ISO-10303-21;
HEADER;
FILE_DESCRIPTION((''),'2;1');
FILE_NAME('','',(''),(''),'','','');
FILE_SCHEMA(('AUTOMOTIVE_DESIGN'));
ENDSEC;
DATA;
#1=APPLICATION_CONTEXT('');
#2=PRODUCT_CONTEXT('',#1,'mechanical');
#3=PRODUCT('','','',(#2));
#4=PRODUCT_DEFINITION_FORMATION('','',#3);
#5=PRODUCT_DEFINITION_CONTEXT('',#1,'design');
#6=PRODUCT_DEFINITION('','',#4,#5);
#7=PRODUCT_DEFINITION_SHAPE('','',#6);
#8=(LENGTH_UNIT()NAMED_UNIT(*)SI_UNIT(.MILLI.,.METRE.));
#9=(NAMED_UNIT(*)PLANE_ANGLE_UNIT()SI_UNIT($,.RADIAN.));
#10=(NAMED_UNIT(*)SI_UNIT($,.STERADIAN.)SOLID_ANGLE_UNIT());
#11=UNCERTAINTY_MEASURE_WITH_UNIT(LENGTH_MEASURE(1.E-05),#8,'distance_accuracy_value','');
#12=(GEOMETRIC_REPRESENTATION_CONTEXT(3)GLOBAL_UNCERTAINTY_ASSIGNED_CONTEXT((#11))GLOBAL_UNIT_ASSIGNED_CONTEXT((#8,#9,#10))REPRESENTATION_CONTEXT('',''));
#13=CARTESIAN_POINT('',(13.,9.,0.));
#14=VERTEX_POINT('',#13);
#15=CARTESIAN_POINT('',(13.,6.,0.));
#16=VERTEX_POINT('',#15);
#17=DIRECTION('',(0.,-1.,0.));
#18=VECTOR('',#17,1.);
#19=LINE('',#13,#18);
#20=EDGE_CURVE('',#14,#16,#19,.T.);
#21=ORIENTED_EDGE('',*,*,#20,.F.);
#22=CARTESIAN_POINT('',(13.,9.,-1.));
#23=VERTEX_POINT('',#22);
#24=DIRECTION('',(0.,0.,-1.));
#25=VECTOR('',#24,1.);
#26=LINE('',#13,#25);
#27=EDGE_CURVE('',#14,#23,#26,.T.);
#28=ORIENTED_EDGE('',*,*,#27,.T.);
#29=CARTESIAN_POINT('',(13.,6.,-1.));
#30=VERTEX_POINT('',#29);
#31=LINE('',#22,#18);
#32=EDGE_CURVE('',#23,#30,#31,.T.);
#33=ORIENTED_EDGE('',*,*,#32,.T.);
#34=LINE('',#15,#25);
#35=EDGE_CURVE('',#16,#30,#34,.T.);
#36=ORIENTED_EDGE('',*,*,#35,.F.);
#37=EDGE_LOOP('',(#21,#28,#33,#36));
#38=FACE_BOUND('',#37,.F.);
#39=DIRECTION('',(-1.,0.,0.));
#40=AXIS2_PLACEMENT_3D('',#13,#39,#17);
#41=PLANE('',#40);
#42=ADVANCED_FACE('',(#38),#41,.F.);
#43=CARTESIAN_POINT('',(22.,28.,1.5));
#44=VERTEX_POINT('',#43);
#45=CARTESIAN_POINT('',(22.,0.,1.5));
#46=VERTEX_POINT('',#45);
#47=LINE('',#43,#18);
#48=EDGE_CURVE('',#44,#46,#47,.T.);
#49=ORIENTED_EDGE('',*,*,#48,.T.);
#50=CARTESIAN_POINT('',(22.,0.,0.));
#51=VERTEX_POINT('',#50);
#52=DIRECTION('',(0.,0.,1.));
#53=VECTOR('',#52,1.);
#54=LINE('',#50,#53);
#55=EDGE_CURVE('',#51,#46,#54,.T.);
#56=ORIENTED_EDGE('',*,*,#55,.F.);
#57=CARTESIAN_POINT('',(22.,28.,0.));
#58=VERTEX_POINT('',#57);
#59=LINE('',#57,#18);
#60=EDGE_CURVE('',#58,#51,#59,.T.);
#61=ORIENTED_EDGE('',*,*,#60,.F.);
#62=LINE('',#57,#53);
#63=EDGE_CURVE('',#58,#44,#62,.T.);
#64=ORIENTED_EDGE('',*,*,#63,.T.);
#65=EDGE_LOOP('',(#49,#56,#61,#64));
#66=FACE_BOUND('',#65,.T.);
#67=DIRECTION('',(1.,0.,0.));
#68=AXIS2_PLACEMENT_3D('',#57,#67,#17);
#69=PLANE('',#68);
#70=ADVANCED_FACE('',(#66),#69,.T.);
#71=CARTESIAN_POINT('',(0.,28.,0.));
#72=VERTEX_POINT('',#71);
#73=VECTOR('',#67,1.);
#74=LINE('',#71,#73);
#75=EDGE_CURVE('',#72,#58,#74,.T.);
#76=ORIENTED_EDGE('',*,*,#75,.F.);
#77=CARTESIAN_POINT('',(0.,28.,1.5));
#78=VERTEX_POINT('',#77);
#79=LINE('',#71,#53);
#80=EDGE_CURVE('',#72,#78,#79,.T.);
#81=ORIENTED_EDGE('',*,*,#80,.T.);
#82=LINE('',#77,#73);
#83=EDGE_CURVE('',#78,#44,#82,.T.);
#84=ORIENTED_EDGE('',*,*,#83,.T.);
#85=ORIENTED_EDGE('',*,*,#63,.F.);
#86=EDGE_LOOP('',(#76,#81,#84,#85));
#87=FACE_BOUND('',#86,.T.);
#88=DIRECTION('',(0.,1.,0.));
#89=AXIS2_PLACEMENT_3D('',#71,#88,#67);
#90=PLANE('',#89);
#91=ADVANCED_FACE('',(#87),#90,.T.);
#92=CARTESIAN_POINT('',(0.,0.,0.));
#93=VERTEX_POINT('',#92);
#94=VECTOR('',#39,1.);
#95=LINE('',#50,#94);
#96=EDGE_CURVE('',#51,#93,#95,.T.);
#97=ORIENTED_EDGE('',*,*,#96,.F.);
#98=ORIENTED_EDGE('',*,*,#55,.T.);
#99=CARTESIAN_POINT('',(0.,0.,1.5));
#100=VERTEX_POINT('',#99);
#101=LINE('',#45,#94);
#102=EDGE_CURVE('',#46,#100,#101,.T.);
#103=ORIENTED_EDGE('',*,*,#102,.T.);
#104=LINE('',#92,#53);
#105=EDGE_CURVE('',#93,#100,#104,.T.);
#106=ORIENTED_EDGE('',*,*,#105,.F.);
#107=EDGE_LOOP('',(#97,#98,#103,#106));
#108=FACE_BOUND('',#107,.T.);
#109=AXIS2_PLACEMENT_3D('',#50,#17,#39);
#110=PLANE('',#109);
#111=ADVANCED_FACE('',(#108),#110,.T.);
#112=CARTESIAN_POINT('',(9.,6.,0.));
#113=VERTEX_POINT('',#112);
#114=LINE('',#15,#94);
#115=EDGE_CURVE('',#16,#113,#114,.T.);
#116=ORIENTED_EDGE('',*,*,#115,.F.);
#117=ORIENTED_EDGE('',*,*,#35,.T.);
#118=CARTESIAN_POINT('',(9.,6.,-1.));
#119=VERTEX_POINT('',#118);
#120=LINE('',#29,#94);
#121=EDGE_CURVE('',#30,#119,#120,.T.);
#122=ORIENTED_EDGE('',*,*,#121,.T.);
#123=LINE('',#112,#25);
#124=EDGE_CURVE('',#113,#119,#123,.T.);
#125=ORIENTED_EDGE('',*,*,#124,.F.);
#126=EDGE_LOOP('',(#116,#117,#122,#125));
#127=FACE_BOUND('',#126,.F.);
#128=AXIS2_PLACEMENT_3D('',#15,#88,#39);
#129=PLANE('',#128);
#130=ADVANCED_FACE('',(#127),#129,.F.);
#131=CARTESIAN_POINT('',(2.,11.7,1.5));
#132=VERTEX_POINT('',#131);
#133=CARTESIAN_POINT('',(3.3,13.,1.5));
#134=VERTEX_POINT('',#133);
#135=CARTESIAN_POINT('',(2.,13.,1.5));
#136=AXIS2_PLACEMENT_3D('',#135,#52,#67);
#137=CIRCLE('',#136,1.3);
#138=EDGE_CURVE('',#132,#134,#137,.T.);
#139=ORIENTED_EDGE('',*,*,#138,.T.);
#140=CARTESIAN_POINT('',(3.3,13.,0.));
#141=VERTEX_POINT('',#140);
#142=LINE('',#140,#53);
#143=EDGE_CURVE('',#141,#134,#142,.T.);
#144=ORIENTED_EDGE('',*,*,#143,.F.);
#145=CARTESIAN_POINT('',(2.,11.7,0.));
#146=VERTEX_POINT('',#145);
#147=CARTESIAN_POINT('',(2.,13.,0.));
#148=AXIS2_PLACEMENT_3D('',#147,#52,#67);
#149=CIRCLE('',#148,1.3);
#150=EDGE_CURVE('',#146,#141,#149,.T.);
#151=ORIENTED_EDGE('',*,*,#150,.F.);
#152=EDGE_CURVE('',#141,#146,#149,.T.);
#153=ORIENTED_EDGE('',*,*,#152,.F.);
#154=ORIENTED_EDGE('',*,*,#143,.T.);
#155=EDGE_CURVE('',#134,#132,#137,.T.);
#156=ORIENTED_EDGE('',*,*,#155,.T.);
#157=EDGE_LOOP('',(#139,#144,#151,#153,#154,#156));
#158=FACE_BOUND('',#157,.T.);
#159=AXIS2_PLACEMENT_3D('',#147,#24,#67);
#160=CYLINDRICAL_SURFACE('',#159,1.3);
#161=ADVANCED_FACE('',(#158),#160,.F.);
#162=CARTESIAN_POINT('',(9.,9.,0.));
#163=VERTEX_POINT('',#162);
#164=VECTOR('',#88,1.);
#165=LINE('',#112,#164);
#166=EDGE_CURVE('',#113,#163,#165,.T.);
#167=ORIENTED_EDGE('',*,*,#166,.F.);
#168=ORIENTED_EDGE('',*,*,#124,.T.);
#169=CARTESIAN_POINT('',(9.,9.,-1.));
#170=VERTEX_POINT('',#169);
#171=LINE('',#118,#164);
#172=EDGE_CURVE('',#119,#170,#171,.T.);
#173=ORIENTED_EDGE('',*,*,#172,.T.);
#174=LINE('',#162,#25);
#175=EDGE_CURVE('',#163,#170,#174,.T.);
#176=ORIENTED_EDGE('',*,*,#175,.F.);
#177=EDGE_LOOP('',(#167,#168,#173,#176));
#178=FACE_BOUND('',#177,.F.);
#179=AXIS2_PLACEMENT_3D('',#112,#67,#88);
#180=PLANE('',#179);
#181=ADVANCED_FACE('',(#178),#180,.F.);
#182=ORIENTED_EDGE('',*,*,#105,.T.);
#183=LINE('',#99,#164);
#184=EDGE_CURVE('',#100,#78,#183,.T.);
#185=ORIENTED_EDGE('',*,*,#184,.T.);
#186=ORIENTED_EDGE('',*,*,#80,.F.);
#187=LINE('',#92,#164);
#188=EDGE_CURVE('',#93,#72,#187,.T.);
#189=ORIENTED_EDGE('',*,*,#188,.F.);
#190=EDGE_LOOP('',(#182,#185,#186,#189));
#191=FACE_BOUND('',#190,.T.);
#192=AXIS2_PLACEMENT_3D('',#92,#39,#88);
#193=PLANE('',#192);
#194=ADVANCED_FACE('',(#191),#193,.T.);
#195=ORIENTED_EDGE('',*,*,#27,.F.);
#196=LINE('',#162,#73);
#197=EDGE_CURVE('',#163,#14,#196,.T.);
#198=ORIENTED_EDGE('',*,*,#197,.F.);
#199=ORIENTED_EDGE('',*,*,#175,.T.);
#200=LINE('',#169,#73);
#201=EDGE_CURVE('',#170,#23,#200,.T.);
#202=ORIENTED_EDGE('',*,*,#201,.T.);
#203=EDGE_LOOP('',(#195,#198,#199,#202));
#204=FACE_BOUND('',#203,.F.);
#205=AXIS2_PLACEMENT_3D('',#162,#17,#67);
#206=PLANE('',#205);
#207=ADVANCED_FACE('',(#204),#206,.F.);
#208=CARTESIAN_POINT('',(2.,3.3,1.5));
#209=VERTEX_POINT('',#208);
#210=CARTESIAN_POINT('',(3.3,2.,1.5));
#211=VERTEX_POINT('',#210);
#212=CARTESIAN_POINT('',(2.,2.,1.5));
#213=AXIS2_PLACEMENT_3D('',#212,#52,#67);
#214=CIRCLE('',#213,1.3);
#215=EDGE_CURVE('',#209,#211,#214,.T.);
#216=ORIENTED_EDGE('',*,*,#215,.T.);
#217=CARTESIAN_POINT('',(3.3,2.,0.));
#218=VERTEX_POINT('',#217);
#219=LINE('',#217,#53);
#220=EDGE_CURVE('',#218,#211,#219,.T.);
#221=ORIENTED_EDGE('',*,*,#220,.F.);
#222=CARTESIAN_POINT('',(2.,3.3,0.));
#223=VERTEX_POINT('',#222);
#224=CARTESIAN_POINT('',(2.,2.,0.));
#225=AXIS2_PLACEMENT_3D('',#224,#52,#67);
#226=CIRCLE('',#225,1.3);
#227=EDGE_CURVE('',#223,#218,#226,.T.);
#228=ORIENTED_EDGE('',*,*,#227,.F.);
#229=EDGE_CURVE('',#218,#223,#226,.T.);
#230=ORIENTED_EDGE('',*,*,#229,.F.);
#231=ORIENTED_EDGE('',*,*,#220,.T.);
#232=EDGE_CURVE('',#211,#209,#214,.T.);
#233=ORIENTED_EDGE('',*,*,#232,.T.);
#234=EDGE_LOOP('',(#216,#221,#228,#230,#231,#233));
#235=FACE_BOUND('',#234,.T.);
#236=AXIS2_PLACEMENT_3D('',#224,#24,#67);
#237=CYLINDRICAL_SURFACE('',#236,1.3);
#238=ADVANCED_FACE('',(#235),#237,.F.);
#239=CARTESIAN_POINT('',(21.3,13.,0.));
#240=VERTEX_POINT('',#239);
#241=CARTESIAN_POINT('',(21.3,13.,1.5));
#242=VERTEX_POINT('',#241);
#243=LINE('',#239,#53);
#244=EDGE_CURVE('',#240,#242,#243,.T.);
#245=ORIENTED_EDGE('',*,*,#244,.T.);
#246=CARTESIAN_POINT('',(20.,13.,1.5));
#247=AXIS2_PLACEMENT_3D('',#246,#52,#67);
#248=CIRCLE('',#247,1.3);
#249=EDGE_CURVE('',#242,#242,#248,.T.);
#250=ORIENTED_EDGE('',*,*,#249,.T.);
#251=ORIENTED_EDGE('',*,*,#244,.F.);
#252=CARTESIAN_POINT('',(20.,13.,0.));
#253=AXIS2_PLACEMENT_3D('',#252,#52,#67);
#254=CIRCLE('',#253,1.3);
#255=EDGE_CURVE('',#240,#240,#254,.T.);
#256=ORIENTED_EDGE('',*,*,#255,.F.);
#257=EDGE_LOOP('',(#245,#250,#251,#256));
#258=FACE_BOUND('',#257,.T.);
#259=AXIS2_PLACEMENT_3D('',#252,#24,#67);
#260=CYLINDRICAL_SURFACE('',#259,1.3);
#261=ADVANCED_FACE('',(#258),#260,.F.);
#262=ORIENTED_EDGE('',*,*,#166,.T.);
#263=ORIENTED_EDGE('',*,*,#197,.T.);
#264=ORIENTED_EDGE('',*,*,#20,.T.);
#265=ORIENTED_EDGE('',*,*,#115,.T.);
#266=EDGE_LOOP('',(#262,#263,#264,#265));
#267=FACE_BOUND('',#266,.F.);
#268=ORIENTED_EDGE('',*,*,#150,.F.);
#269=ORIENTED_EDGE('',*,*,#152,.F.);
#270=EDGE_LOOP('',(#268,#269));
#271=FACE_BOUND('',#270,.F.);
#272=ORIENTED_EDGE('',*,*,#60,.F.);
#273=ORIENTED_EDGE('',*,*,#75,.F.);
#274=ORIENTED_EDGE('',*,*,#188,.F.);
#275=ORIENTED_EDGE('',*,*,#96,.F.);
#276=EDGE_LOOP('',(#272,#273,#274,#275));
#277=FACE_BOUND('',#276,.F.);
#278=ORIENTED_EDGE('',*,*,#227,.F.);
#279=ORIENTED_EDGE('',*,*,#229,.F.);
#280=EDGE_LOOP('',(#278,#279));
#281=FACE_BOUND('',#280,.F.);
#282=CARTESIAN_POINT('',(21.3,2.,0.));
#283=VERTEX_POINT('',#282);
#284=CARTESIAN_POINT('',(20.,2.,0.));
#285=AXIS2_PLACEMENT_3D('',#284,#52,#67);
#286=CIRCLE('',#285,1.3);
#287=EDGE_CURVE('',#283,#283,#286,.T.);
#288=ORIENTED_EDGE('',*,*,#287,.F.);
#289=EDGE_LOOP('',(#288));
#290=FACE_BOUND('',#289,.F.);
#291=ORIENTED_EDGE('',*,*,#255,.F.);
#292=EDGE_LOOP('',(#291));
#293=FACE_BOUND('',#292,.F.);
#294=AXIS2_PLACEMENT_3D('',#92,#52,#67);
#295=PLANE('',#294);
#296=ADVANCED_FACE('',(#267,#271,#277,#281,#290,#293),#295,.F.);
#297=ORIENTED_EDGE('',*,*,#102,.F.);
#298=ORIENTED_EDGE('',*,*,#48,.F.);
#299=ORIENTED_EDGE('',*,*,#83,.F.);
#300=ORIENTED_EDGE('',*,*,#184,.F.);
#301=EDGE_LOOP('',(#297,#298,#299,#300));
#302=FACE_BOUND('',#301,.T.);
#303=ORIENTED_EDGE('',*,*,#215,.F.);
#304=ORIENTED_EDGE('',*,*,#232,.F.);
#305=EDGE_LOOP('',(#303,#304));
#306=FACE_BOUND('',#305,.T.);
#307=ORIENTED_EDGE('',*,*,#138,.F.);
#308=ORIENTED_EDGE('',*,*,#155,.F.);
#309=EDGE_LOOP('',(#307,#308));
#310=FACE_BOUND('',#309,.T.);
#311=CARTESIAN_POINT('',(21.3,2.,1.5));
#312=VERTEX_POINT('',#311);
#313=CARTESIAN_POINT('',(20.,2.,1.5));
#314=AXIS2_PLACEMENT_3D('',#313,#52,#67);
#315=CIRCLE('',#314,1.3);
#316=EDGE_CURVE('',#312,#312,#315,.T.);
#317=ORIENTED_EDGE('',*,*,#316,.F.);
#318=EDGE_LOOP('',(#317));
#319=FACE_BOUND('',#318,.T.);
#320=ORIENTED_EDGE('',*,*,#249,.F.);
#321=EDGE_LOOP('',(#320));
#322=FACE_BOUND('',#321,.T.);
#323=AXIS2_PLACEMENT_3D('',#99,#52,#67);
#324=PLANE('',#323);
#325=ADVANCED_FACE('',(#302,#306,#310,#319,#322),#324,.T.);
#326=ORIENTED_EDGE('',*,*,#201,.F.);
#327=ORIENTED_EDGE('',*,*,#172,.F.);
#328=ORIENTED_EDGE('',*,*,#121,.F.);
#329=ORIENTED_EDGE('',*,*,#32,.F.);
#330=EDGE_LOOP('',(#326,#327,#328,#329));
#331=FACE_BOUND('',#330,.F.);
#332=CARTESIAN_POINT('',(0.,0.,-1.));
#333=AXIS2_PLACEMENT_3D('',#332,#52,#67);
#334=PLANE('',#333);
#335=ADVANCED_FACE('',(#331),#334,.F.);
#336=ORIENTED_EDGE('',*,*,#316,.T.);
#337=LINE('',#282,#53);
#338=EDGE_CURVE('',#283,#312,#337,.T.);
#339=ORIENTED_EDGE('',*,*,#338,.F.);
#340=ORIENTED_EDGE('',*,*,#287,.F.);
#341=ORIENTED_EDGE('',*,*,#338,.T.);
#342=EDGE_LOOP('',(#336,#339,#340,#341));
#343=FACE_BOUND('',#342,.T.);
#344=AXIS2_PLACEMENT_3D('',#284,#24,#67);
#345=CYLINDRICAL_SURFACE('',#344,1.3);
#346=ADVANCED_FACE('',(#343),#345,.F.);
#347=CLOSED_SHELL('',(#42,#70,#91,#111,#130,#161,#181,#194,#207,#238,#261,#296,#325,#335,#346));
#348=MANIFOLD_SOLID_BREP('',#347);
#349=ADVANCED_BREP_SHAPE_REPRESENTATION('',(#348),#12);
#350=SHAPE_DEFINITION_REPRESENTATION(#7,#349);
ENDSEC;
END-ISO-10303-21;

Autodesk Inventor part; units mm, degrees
ref_plane "YZ Plane" through (0, 0, 0) normal (1, 0, 0) x (0, 1, 0)
ref_plane "XZ Plane" through (0, 0, 0) normal (0, 1, 0) x (-1, 0, 0)
ref_plane "XY Plane" through (0, 0, 0) normal (0, 0, 1) x (1, 0, 0)
sketch "Sketch1" plane through (0, 0, 0) normal (0, 0, 1) x (1, 0, 0)
  line L0 (0, 0) -> (0, 28)
  line L1 (0, 28) -> (22, 28)
  line L2 (22, 28) -> (22, 0)
  line L3 (22, 0) -> (0, 0)
  circle A0 centre (2, 13) radius 1.3
  circle A1 centre (20, 13) radius 1.3
  circle A2 centre (2, 2) radius 1.3
  circle A3 centre (20, 2) radius 1.3
  line L4 (11, 28) -> (11, 0) construction
  line L5 (2, 13) -> (20, 13) construction
  line L6 (2, 2) -> (20, 2) construction
  line L7 (9, 9) -> (13, 9)
  line L8 (13, 9) -> (13, 6)
  line L9 (13, 6) -> (9, 6)
  line L10 (9, 6) -> (9, 9)
  line L11 (2, 13) -> (2, 2)
  line L12 (9, 7.5) -> (13, 7.5) construction
  line L13 (11, 13) -> (11, 2) construction
  point P0 (11, 9)
  point P1 (11, 7.5)
  dimension "d0" = 28
  dimension "d1" = 22
  dimension "d2" = 2.6
  dimension "d5" = 18
  dimension "d8" = 11
  dimension "d11" = 2
  dimension "d14" = 4
  dimension "d15" = 3
extrude "Extrusion1" add sketch "Sketch1" along normal blind 1.5 contours L0 L1 L2 L3 | L7 L8 L9 L10
extrude "Extrusion2" add sketch "Sketch1" against normal blind 1 contours L7 L8 L9 L10
properties part number "Encoder"
